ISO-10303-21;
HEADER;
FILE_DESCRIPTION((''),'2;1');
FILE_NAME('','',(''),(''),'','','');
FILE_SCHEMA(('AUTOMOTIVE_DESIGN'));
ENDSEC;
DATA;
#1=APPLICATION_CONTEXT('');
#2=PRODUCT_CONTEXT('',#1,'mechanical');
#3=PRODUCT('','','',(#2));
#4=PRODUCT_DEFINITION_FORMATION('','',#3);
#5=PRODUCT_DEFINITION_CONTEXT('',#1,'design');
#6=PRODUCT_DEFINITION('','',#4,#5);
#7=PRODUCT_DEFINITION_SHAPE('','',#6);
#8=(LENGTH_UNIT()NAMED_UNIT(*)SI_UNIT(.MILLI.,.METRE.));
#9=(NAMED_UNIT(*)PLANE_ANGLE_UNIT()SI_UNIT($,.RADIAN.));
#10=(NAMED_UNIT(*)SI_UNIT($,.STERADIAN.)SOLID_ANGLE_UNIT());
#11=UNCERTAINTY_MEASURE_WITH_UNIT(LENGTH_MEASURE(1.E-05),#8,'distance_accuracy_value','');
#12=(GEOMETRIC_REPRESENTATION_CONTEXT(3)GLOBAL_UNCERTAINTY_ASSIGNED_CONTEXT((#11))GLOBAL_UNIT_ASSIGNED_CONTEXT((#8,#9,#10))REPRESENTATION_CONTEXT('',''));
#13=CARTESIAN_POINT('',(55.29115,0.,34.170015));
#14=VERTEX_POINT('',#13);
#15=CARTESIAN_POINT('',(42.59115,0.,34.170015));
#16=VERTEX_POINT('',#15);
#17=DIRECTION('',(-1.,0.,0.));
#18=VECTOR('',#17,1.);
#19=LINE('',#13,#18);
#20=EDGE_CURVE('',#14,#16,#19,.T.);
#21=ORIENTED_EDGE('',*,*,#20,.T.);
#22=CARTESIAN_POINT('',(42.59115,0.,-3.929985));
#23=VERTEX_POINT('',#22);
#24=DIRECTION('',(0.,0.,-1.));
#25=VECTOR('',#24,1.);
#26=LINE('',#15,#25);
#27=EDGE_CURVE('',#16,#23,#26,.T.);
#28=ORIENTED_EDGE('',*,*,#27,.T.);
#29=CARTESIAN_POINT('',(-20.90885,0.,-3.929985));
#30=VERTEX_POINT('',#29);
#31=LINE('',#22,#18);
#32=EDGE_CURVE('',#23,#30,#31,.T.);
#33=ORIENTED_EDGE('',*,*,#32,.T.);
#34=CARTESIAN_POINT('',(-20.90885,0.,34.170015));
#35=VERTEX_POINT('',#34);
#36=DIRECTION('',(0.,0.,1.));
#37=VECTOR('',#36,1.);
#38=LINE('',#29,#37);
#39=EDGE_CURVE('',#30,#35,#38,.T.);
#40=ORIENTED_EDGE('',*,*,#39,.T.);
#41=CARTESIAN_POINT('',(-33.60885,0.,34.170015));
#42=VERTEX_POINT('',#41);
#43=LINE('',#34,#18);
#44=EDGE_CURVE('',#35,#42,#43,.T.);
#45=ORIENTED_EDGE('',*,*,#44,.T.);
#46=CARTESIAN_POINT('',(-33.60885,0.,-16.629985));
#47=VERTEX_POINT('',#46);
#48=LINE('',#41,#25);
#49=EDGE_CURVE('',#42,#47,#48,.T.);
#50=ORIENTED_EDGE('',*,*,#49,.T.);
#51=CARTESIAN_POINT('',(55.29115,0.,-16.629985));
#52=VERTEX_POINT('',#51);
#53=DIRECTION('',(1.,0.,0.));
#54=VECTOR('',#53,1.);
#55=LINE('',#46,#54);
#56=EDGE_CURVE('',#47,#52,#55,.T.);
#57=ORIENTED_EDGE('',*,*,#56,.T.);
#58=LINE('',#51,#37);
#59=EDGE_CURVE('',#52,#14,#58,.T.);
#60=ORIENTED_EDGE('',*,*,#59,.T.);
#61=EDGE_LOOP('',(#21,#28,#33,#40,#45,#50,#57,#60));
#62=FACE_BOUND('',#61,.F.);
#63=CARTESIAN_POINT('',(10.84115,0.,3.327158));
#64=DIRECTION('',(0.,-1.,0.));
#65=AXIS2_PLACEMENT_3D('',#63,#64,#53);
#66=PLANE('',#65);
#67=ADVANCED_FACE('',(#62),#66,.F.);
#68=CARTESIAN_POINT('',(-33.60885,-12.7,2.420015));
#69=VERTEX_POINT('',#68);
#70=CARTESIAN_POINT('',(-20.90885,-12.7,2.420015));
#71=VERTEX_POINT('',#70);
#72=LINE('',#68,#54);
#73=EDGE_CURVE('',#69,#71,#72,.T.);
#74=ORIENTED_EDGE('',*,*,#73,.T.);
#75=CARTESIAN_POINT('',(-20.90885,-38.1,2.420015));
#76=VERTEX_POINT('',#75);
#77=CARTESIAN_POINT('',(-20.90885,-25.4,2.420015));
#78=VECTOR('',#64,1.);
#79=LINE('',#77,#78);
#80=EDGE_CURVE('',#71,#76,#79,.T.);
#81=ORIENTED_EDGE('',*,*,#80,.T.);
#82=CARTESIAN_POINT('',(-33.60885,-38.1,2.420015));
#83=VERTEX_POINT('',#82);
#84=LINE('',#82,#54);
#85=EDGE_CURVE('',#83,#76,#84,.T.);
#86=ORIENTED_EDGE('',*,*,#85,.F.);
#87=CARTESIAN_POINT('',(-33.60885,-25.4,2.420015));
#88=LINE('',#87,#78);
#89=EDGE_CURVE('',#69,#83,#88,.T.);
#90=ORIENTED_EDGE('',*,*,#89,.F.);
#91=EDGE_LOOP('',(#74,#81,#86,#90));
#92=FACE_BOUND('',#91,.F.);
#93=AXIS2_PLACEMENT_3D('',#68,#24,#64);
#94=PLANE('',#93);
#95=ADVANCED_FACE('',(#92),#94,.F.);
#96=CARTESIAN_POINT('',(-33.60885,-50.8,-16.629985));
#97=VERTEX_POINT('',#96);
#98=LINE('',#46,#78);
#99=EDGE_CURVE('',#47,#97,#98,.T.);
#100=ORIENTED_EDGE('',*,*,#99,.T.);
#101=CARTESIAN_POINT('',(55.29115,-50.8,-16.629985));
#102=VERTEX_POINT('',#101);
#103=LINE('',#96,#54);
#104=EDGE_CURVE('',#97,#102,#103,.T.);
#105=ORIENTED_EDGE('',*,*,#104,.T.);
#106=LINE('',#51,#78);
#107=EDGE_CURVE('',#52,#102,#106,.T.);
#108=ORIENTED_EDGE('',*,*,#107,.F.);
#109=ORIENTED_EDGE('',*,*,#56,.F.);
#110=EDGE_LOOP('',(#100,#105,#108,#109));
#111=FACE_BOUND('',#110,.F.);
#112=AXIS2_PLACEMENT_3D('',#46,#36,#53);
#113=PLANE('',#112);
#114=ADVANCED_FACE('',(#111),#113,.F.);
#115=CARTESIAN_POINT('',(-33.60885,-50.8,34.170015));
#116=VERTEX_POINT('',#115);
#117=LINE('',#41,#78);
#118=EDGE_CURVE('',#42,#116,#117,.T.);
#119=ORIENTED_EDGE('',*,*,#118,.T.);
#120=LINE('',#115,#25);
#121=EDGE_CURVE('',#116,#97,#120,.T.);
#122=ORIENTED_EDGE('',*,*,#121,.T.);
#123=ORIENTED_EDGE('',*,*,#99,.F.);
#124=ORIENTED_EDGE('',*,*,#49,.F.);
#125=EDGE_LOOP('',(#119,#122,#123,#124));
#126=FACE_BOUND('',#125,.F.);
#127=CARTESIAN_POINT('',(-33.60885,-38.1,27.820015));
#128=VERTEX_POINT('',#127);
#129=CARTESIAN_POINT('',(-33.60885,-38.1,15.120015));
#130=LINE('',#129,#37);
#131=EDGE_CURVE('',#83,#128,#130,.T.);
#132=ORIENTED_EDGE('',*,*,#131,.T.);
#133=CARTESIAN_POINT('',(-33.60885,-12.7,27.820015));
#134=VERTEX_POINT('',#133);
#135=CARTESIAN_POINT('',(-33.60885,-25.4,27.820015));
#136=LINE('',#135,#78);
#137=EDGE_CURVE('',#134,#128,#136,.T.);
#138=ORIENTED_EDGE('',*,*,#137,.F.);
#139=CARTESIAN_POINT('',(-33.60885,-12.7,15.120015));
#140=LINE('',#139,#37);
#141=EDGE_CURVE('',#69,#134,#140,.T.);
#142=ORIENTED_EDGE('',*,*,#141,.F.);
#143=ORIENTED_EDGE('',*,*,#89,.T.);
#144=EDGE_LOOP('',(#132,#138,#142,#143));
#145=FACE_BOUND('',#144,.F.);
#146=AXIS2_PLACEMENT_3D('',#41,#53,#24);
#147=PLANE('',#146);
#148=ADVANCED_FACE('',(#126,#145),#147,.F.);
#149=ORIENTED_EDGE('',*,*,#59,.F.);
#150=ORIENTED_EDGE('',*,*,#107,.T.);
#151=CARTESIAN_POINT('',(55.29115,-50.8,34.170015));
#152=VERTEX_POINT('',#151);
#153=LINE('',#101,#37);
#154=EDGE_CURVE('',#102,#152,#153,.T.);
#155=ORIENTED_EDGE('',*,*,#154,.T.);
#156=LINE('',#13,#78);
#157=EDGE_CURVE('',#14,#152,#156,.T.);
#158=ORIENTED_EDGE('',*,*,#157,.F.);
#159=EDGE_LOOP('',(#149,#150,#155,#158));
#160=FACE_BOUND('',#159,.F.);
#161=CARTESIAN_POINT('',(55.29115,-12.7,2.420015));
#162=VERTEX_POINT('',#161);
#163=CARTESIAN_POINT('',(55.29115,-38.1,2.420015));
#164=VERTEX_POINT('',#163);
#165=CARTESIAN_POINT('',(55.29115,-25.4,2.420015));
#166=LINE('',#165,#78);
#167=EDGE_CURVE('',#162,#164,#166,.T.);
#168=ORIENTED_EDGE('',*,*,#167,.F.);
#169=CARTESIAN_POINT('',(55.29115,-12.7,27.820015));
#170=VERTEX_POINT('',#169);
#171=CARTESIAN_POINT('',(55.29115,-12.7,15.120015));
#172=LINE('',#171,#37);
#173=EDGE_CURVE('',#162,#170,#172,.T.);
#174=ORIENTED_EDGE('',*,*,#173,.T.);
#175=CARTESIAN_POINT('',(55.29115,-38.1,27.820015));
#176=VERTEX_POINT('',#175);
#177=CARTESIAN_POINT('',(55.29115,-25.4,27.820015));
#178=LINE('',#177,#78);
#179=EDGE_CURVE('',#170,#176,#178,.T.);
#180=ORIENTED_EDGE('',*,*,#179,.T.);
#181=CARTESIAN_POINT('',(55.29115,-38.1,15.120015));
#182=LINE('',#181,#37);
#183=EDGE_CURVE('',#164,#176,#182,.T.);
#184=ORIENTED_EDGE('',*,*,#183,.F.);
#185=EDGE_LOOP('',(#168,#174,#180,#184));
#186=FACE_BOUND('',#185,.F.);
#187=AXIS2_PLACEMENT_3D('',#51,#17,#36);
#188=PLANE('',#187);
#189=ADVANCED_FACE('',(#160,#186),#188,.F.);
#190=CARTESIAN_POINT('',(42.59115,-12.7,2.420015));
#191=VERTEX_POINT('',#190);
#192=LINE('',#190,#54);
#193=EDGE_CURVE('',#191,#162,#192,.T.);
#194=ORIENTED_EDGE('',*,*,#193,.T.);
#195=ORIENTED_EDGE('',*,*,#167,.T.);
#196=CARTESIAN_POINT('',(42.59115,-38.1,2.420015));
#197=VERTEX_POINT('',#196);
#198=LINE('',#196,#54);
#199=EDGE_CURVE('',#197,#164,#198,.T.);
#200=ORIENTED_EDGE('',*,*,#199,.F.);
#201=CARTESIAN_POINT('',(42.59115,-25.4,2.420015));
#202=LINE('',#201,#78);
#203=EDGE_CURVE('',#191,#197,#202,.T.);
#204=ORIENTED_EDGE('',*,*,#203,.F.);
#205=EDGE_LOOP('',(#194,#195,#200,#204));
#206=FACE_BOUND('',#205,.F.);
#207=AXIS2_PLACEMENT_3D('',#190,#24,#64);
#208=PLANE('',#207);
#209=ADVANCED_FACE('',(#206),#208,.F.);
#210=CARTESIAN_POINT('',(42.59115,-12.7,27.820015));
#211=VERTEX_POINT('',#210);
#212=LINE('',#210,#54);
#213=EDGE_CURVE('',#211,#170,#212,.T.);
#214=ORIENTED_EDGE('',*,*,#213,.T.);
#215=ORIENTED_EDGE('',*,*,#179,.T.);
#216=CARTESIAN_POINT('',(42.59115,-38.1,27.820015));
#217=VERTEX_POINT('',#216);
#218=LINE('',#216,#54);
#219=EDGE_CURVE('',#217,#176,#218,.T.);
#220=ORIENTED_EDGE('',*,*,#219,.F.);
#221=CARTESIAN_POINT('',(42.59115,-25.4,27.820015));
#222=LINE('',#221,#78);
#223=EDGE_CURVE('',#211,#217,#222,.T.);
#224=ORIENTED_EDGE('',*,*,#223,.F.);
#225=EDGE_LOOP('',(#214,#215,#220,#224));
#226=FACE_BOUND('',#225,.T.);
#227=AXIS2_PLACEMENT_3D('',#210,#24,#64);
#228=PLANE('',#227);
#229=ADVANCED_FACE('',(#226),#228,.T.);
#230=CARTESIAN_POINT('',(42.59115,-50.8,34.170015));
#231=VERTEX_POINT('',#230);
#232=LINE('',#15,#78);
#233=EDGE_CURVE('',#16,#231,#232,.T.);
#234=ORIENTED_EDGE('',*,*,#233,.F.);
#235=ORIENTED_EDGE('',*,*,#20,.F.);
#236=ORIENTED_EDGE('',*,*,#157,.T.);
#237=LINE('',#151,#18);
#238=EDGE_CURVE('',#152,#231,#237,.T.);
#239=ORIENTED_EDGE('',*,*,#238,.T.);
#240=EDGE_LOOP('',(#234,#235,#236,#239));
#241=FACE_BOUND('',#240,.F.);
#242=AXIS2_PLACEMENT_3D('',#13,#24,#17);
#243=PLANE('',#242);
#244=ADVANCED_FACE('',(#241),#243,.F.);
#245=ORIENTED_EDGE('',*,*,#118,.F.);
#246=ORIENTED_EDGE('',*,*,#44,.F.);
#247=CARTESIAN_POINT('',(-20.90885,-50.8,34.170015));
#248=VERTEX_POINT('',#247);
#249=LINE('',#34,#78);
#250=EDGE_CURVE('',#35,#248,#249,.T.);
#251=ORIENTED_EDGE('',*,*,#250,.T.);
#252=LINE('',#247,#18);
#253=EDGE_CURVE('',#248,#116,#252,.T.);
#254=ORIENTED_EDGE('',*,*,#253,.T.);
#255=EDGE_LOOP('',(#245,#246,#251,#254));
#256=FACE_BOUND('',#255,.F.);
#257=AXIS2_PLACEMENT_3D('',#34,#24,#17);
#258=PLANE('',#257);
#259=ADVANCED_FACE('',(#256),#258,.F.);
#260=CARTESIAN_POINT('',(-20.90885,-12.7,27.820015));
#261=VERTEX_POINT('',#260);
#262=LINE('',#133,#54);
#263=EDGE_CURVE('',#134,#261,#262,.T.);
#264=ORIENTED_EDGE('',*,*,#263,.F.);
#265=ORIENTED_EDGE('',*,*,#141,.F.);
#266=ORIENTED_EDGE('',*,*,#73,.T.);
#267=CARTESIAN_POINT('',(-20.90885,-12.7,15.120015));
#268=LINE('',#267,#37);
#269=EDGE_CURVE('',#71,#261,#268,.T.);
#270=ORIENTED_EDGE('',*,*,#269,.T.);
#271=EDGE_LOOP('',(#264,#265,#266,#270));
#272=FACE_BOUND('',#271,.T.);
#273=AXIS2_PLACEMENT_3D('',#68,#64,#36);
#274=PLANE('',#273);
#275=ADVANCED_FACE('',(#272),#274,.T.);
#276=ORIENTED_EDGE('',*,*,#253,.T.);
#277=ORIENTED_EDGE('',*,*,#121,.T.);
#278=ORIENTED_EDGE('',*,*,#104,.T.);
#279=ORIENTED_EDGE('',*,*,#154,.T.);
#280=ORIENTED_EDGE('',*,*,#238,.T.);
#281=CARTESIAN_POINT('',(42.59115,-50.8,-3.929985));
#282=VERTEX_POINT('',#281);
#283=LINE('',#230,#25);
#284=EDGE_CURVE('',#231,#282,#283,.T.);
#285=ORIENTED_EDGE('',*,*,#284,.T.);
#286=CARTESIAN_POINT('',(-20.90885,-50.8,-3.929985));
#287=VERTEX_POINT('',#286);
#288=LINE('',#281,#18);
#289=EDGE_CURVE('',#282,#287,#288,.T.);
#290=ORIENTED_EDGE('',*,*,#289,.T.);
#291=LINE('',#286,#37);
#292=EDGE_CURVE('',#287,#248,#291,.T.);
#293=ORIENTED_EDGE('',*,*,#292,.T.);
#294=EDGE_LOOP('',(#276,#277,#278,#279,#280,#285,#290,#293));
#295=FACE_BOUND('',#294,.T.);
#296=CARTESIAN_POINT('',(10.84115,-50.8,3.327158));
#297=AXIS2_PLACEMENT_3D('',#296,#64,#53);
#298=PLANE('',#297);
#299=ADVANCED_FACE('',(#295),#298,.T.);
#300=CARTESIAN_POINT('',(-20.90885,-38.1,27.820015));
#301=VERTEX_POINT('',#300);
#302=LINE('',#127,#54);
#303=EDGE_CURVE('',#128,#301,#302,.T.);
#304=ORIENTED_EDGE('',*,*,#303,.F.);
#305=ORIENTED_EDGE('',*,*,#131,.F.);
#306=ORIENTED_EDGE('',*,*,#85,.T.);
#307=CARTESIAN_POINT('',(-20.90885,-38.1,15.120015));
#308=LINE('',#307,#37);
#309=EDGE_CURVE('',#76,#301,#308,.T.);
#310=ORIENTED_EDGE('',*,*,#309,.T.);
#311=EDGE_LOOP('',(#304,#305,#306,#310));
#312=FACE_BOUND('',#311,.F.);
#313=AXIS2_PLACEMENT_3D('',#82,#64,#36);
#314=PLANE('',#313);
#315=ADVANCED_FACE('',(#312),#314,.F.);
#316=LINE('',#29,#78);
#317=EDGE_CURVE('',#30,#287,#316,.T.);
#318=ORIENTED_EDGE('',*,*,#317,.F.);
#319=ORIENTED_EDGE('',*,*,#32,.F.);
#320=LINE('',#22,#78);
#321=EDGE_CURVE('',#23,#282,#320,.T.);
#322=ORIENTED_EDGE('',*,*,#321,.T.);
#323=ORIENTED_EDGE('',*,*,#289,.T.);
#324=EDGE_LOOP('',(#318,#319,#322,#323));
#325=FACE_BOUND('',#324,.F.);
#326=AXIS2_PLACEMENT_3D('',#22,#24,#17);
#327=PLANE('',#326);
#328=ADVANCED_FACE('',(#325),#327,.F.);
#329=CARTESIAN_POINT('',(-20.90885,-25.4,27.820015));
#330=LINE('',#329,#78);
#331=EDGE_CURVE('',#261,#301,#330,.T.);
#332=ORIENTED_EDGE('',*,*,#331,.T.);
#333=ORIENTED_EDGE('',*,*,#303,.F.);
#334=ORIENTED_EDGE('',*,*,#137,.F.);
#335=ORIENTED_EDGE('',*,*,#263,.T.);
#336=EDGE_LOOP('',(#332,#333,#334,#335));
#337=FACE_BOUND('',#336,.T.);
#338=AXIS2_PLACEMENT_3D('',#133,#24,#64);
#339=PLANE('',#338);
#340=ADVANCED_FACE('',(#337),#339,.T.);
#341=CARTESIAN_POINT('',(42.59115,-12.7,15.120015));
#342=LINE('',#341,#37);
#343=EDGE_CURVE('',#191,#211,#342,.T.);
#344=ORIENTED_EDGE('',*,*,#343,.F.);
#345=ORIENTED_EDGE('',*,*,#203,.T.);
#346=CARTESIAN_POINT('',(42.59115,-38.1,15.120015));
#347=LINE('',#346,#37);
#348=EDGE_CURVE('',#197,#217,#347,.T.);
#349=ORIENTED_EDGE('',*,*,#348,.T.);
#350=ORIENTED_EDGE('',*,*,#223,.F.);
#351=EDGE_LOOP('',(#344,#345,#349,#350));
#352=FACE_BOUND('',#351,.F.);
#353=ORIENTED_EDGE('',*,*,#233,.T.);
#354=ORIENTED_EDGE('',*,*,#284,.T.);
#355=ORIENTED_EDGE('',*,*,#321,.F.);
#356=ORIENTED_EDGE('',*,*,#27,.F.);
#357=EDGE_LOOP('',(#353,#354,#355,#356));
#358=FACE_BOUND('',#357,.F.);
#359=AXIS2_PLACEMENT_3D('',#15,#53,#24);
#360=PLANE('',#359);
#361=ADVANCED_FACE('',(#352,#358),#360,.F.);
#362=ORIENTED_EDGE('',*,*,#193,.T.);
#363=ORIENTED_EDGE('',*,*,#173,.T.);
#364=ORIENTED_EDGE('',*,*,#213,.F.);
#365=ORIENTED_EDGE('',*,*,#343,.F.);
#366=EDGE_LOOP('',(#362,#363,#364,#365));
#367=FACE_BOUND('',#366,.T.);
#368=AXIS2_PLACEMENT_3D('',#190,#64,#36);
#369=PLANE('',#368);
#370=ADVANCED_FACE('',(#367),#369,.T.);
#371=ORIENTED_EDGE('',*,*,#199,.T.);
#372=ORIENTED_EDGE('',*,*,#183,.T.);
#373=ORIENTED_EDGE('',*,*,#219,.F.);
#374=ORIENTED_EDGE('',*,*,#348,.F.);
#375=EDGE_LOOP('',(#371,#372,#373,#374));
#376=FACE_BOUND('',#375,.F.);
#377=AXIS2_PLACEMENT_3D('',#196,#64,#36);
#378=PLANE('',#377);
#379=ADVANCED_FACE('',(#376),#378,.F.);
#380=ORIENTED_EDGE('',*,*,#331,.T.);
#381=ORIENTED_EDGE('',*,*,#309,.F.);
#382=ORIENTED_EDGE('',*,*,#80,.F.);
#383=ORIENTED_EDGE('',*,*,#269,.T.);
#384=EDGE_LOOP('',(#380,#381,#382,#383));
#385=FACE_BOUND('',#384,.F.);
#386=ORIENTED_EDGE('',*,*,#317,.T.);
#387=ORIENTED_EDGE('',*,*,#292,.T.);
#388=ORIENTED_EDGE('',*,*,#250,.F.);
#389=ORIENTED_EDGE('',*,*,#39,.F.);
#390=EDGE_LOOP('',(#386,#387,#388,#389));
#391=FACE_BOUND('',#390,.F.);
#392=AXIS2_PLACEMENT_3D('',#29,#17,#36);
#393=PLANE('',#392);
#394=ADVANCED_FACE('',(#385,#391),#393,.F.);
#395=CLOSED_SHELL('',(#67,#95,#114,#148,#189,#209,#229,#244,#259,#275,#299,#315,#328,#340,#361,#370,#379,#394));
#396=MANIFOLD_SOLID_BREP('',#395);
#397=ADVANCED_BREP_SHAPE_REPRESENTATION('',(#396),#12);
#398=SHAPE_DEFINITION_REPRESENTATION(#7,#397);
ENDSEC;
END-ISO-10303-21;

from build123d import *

# Parameters (mm, degrees)
F1_DEPTH = 50.8
F2_W     = 25.4
F2_H     = 25.4
F3_DEPTH = 12.7
F4_W     = 25.4
F4_H     = 25.4
F5_DEPTH = 12.7
F6_DEPTH = 12.7


with BuildPart() as f1:
    # F0 (on Front) → F1 (new body)
    with BuildSketch(Plane.XZ):
        Polygon((-20.90885, 34.170015), (-33.60885, 34.170015), (-33.60885, -16.629985), (55.29115, -16.629985), (55.29115, 34.170015), (42.59115, 34.170015), (42.59115, -3.929985), (-20.90885, -3.929985), align=None)
    extrude(amount=F1_DEPTH)

    # F2 (on face) → F3 (cut)
    with BuildSketch(Plane(origin=(-33.60885, 0, 0), x_dir=(0, -1, 0), z_dir=(-1, 0, 0))):
        with Locations((25.4, 15.120015)):
            Rectangle(F2_W, F2_H)
    extrude(amount=-F3_DEPTH, mode=Mode.SUBTRACT)

    # F4 (on face) → F5 (cut)
    with BuildSketch(Plane(origin=(42.59115, 0, 0), x_dir=(0, -1, 0), z_dir=(-1, 0, 0))):
        with Locations((25.4, 15.120015)):
            Rectangle(F4_W, F4_H)
    extrude(amount=-F5_DEPTH, mode=Mode.SUBTRACT)

    # F2 (on face) → F6 (cut)
    with BuildSketch(Plane(origin=(-33.60885, 0, 0), x_dir=(0, -1, 0), z_dir=(-1, 0, 0))):
        with Locations((25.4, 15.120015)):
            Rectangle(F2_W, F2_H)
    extrude(amount=-F6_DEPTH, mode=Mode.SUBTRACT)


solid = f1.part
